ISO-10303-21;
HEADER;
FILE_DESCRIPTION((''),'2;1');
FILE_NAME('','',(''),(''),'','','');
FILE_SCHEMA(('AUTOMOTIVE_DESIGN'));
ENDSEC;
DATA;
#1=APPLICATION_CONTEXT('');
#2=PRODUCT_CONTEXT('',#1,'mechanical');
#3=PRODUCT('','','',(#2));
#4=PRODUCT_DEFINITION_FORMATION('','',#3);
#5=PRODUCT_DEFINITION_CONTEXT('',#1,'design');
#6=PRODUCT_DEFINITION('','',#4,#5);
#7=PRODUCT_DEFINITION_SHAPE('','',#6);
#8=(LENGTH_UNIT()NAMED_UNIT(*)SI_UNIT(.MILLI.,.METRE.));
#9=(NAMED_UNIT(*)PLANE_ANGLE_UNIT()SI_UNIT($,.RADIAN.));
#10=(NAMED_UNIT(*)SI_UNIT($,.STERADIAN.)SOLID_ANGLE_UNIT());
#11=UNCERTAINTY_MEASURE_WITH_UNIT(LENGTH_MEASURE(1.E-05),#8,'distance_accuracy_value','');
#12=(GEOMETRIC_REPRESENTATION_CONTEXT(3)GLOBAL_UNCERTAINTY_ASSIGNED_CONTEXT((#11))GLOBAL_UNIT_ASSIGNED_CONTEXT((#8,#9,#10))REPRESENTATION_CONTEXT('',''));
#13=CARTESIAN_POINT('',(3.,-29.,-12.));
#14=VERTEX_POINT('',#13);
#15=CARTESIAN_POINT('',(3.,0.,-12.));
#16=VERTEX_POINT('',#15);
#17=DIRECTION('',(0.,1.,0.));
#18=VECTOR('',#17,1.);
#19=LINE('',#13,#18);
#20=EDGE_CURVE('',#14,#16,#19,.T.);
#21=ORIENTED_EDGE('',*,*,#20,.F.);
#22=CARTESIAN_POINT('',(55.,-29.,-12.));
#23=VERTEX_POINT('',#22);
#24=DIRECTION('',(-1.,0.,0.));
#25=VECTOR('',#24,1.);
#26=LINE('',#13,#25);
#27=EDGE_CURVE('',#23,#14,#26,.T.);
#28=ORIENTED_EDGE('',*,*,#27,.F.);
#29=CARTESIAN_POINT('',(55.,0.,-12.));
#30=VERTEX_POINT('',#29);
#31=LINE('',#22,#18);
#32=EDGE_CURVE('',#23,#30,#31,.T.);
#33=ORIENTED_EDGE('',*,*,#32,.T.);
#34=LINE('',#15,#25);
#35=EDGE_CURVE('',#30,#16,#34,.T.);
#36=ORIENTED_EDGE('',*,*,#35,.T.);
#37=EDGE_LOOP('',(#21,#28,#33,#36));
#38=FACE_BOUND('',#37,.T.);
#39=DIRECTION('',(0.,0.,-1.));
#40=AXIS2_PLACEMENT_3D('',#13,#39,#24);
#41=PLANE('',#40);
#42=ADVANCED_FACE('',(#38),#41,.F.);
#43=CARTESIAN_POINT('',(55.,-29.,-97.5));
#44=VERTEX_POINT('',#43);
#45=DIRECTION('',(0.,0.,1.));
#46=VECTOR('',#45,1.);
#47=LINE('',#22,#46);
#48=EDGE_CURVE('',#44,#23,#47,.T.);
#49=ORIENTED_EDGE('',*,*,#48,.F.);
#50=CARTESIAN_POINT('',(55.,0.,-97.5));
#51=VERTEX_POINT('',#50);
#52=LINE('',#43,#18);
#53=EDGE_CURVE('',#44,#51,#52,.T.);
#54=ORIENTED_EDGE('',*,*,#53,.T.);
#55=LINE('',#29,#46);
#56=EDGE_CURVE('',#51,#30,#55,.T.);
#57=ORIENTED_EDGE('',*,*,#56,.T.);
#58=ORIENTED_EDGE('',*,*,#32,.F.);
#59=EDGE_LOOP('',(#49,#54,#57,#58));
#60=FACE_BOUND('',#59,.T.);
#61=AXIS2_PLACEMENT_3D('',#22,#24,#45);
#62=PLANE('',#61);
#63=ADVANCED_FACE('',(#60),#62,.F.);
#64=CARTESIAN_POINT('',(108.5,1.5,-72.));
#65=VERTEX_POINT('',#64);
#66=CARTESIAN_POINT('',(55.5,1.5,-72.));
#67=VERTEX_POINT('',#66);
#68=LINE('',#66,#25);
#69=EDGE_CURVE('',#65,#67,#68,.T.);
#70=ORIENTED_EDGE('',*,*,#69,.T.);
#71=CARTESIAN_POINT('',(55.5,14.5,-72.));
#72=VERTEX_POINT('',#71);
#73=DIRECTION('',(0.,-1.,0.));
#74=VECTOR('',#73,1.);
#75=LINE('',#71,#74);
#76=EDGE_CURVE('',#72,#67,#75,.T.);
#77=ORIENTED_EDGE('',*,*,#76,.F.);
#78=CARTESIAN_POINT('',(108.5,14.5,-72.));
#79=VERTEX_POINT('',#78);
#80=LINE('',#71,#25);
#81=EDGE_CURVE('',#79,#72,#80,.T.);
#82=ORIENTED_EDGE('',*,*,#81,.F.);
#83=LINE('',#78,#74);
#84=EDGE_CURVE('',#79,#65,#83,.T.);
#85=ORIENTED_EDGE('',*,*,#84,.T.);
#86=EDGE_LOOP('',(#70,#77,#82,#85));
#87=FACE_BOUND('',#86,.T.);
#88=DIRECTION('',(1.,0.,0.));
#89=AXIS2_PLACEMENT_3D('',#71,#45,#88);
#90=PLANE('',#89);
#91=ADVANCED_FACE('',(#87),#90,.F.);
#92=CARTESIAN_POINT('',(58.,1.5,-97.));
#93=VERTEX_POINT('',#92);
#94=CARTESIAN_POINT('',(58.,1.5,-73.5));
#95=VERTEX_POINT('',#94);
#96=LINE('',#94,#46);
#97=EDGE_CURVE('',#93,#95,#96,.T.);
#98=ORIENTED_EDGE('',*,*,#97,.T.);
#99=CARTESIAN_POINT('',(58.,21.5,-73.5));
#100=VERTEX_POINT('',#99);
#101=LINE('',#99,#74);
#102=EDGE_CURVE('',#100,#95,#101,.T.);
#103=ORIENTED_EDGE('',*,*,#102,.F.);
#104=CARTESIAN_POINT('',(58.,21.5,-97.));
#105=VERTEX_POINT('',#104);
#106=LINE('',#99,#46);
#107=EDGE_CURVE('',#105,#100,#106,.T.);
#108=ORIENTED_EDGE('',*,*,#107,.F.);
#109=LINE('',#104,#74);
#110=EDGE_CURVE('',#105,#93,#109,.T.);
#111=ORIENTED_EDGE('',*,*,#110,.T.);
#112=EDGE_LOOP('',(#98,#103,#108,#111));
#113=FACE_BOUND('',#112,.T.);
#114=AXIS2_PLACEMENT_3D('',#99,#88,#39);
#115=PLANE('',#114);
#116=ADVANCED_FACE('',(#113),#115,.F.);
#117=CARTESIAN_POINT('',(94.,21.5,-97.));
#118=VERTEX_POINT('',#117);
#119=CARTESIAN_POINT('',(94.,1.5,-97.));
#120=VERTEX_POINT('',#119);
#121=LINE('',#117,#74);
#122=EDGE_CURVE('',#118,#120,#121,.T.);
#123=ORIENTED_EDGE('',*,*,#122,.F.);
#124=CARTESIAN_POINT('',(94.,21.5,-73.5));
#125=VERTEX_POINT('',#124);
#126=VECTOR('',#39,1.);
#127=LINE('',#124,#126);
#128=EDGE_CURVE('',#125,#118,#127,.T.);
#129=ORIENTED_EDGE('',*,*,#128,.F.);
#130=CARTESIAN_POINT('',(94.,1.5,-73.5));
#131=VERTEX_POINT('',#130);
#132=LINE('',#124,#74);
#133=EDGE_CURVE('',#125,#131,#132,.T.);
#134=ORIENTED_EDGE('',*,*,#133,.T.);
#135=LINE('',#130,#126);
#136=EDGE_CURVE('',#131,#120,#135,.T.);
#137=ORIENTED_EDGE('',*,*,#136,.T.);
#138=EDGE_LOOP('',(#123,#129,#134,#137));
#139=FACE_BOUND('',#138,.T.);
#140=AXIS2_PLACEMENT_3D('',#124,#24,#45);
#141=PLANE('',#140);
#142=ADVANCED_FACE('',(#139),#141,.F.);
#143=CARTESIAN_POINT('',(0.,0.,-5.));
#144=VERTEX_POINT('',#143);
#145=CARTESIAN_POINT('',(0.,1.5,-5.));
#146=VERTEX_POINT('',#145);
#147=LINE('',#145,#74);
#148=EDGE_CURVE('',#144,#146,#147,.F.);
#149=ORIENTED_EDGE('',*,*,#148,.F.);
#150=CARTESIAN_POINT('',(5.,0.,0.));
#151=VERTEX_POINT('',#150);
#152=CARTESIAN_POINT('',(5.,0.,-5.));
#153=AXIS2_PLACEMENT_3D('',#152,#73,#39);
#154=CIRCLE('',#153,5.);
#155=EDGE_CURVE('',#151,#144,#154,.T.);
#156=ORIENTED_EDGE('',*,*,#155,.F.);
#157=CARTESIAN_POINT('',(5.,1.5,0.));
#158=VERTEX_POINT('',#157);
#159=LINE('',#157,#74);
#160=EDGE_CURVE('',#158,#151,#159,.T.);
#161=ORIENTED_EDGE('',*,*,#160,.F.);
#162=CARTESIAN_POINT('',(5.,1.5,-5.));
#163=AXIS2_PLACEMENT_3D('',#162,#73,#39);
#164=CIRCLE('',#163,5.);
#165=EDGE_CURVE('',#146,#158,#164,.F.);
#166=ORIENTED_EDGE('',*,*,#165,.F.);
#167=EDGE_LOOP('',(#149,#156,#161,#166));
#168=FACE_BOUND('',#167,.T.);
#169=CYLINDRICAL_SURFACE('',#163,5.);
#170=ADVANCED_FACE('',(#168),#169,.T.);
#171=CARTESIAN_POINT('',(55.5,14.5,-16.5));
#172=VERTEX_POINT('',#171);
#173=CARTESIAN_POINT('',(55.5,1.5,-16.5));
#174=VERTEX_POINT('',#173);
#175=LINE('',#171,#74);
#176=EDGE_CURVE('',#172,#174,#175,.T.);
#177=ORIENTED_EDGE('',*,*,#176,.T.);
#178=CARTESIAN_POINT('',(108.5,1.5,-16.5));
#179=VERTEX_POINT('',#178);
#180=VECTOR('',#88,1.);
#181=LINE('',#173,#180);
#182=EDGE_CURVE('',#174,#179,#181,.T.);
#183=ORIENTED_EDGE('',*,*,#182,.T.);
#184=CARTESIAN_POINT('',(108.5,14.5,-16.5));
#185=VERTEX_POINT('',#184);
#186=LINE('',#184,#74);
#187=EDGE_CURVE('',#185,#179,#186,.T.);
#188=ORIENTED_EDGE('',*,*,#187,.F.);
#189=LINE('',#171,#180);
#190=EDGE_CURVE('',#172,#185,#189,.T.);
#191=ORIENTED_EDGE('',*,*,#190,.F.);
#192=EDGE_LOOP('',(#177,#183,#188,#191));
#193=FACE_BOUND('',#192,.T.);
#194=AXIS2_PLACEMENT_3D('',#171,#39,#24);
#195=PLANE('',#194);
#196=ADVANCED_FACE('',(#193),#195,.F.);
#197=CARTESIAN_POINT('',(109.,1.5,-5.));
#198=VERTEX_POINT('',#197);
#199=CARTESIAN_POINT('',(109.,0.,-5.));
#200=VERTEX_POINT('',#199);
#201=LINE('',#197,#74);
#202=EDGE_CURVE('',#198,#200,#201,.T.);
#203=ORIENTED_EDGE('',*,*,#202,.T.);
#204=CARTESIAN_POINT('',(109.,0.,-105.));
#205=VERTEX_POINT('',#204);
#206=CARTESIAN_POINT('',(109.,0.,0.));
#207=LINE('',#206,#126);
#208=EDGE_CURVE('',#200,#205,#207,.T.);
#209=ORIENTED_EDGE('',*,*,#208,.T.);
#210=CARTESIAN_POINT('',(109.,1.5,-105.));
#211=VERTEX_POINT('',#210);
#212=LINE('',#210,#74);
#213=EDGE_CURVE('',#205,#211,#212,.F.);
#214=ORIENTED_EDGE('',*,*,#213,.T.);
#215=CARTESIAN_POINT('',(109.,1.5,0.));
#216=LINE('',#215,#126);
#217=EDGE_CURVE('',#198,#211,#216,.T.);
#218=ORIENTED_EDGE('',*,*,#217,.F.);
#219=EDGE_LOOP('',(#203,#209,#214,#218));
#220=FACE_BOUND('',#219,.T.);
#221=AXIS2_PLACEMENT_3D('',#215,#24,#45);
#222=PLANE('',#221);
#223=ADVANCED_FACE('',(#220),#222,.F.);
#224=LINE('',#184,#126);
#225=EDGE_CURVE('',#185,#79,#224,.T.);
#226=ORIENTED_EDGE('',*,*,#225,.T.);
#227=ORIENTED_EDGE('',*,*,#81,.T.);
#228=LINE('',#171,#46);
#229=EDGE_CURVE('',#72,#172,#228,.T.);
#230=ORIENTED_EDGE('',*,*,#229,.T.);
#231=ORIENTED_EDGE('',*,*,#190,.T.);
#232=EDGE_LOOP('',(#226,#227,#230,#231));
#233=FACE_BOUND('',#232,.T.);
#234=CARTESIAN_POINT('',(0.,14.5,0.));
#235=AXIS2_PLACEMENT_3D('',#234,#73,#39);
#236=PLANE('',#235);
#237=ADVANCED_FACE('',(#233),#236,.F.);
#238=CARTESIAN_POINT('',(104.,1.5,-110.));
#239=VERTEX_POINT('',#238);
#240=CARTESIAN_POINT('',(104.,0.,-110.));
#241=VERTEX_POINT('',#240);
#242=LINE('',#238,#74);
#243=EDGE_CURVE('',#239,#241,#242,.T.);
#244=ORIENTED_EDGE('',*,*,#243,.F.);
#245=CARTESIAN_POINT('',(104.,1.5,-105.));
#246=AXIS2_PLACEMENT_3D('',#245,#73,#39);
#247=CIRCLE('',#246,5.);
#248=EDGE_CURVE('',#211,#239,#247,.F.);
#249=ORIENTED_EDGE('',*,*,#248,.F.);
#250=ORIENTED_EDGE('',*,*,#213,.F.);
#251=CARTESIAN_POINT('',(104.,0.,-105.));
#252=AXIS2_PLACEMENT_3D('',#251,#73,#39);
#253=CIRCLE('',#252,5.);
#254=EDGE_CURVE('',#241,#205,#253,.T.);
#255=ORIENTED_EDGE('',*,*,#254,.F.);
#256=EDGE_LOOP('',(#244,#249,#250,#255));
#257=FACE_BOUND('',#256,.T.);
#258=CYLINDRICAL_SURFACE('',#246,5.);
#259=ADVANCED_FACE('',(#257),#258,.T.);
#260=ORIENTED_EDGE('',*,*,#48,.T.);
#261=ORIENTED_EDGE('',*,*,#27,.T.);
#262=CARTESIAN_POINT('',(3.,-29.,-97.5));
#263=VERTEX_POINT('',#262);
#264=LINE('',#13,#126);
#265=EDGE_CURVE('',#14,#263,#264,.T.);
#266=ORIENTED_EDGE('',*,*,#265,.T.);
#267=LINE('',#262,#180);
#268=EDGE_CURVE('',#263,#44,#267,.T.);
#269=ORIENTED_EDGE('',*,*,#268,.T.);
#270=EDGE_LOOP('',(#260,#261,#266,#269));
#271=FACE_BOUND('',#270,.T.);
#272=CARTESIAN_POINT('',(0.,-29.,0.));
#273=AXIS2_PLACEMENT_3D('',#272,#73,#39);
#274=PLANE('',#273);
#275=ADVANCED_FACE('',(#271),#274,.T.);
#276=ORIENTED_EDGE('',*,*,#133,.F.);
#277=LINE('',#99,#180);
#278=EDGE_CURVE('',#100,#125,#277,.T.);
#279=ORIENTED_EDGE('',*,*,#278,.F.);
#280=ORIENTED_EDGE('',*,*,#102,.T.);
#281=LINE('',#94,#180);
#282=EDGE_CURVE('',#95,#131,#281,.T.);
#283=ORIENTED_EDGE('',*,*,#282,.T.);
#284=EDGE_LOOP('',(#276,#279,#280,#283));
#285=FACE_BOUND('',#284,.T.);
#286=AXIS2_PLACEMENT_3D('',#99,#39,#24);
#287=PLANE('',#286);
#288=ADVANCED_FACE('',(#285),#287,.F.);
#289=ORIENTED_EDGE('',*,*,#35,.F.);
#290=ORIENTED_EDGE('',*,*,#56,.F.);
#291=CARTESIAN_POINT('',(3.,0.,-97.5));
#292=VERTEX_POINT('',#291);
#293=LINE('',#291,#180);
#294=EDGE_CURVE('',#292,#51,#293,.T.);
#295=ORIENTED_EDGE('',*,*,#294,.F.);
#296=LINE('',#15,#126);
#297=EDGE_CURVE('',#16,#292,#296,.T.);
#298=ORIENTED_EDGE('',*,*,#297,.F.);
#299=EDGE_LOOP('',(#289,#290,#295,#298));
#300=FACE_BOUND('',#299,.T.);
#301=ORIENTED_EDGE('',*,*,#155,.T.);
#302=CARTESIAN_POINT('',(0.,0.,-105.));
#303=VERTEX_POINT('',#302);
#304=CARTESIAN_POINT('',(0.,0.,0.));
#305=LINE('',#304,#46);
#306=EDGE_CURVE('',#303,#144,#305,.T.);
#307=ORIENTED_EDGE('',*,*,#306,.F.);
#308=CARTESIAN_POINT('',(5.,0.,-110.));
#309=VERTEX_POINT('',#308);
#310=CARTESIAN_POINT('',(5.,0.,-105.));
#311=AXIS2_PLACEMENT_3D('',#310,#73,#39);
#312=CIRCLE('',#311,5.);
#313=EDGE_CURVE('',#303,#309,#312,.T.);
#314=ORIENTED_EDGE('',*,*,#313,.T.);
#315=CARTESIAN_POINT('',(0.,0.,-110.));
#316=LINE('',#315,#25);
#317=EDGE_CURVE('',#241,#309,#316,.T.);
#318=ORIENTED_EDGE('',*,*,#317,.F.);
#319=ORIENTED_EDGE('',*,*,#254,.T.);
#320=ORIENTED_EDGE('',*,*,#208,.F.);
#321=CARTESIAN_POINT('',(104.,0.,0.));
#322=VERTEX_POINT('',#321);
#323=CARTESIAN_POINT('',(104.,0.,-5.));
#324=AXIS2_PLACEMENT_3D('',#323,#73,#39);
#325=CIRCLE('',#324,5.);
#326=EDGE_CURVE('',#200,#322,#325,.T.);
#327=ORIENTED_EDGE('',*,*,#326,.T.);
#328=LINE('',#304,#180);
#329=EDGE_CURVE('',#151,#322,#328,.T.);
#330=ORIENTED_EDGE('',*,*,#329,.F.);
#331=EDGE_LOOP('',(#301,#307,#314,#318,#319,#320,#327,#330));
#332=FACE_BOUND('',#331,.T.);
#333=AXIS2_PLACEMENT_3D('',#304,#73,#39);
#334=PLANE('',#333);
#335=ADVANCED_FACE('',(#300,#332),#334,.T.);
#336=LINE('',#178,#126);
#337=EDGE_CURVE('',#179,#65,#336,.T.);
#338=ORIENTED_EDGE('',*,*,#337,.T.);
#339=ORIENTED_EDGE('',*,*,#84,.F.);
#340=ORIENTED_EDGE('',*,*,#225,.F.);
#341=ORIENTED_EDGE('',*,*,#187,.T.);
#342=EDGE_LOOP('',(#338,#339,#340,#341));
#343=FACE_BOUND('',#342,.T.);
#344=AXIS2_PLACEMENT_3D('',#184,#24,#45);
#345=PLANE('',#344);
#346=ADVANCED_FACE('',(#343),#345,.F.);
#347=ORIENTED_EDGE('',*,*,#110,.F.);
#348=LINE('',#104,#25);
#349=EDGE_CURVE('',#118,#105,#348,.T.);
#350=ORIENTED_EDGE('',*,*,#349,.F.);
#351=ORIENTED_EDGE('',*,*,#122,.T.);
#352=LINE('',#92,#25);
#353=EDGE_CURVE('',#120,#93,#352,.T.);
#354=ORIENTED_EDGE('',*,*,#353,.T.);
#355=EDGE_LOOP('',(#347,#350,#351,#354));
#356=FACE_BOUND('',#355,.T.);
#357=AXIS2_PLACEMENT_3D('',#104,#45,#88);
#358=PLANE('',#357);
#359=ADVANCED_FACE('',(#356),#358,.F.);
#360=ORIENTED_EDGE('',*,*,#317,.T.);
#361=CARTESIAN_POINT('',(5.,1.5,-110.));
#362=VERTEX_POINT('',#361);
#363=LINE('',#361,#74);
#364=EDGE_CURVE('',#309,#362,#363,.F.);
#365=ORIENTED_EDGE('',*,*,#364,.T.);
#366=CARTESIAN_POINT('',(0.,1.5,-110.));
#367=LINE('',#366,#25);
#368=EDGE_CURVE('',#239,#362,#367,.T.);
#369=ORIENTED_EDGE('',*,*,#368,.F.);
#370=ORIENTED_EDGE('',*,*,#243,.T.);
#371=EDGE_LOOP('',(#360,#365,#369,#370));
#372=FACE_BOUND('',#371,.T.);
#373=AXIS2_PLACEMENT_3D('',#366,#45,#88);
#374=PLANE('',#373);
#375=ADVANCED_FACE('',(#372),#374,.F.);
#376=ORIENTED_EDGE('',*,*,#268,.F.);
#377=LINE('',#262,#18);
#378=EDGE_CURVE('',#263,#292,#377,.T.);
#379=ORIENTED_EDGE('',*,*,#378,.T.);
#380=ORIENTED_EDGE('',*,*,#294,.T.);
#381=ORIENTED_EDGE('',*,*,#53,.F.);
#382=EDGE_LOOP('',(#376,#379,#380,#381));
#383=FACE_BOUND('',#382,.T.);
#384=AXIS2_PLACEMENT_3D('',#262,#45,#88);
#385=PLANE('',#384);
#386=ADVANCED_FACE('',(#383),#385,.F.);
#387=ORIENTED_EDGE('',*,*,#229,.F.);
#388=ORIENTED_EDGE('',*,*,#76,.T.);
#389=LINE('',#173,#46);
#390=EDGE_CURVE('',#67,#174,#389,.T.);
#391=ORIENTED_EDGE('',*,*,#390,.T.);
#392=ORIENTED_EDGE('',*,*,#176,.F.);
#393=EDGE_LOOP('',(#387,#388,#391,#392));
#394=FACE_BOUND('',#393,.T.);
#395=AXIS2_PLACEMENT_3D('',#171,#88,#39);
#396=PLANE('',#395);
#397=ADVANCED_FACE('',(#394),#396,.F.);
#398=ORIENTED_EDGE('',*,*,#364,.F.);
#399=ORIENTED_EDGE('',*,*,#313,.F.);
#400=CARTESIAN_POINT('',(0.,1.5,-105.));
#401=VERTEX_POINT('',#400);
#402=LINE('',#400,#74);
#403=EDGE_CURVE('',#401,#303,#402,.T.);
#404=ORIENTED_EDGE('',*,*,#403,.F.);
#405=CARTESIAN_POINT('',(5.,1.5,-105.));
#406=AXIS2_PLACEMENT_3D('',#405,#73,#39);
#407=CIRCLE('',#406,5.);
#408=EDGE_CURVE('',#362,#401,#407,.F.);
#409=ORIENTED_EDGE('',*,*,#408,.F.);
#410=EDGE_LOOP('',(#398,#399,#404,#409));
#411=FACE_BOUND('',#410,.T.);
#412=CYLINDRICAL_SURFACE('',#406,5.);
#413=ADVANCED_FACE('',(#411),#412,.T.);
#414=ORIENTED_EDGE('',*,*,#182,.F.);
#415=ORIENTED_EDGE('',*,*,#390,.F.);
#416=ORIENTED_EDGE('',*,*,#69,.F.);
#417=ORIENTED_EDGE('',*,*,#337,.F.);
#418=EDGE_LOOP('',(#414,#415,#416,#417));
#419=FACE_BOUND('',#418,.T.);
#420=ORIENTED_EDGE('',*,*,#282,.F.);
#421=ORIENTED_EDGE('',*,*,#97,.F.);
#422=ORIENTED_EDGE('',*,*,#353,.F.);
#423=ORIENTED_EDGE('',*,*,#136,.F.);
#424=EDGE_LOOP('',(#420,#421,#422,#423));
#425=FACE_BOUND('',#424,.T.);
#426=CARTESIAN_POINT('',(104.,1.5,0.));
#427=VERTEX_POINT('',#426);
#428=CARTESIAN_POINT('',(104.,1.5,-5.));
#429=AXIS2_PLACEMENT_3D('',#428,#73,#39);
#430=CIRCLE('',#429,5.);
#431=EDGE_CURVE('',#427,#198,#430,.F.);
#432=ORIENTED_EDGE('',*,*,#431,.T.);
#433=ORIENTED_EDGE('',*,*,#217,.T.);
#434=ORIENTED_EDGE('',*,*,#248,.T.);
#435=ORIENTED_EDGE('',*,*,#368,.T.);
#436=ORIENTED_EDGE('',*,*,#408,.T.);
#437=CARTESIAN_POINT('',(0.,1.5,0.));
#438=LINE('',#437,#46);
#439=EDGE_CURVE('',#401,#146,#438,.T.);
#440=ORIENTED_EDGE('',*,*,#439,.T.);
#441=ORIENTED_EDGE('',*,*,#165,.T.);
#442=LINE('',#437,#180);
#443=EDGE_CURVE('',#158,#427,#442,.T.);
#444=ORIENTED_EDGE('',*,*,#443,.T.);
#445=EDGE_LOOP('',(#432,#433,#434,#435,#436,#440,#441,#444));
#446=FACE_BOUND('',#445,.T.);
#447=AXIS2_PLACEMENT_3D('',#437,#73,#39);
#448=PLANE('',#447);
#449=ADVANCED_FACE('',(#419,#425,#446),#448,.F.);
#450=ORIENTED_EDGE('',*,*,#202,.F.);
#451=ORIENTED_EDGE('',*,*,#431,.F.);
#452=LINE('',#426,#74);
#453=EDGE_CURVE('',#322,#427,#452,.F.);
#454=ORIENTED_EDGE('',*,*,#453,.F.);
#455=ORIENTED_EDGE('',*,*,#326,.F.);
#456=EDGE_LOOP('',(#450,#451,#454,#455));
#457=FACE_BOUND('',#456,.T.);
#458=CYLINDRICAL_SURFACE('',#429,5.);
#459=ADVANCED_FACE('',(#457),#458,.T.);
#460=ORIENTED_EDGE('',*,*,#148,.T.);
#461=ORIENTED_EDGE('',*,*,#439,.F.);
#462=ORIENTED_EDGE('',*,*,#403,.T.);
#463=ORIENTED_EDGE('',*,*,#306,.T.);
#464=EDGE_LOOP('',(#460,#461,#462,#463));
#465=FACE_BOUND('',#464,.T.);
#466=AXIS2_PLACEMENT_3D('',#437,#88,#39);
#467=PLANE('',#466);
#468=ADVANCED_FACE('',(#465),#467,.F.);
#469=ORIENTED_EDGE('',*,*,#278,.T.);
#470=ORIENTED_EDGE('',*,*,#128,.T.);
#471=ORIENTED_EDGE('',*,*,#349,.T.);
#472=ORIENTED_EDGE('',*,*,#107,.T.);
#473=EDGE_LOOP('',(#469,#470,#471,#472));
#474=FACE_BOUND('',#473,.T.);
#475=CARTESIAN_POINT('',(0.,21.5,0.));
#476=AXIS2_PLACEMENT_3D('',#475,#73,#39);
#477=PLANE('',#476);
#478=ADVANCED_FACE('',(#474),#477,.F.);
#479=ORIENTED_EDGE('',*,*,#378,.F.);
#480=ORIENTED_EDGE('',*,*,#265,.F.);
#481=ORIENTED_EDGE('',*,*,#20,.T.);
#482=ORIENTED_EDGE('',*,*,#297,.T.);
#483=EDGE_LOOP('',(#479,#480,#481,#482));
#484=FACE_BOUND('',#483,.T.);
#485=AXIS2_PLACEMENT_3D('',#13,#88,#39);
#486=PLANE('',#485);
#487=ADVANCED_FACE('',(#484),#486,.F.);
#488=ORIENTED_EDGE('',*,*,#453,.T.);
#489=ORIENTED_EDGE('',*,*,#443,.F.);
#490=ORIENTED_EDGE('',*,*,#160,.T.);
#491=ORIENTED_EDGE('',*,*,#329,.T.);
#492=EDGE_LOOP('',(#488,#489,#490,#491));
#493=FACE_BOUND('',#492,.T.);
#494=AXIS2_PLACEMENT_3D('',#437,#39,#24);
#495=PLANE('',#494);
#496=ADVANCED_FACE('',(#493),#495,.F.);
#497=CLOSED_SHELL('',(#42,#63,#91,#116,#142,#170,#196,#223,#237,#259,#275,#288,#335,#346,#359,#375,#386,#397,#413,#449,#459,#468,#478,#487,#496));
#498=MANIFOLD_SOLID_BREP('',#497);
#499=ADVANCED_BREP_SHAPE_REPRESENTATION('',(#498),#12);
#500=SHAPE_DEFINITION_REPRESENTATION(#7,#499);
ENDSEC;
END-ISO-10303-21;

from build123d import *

# Parameters (mm, degrees)
ESQUISSE1_W        = 109
ESQUISSE1_H        = 110
BOSS_EXTRU_1_DEPTH = 1.5
CONG_1_R           = 5
ESQUISSE2_W        = 52
ESQUISSE2_H        = 85.5
BOSS_EXTRU_2_DEPTH = 29
ESQUISSE3_W        = 53
ESQUISSE3_H        = 55.5
ESQUISSE3_W_2      = 50
ESQUISSE3_H_2      = 49
BOSS_EXTRU_3_DEPTH = 13
ESQUISSE4_W        = 50
ESQUISSE4_H        = 49
BOSS_EXTRU_4_DEPTH = 13
ESQUISSE5_W        = 36
ESQUISSE5_H        = 23.5
BOSS_EXTRU_5_DEPTH = 20


with BuildPart() as part:
    # Esquisse1 → Boss.-Extru.1 (new body)
    with BuildSketch(Plane(origin=(0, 0, 0), x_dir=(1, 0, 0), z_dir=(0, 1, 0))):
        with Locations((54.5, 55)):
            Rectangle(ESQUISSE1_W, ESQUISSE1_H)
    extrude(amount=BOSS_EXTRU_1_DEPTH)

    # Congé1
    cong_1_edges = [part.edges().sort_by_distance(p)[0] for p in [
        (0, 0.75, -110),
        (109, 0.75, -110),
        (109, 0.75, 0),
        (0, 0.75, 0),
    ]]
    fillet(cong_1_edges, radius=CONG_1_R)

    # Esquisse2 → Boss.-Extru.2 (add)
    with BuildSketch(Plane.XZ):
        with Locations((29, -54.75)):
            Rectangle(ESQUISSE2_W, ESQUISSE2_H)
    extrude(amount=BOSS_EXTRU_2_DEPTH)

    # Esquisse3 → Boss.-Extru.3 (add)
    with BuildSketch(Plane(origin=(0, 1.5, 0), x_dir=(1, 0, 0), z_dir=(0, 1, 0))):
        with Locations((82, 44.25)):
            Rectangle(ESQUISSE3_W, ESQUISSE3_H)
        with Locations((82, 42.5)):
            Rectangle(ESQUISSE3_W_2, ESQUISSE3_H_2, mode=Mode.SUBTRACT)
    extrude(amount=BOSS_EXTRU_3_DEPTH)

    # Esquisse4 → Boss.-Extru.4 (add)
    with BuildSketch(Plane(origin=(0, 1.5, 0), x_dir=(1, 0, 0), z_dir=(0, 1, 0))):
        with Locations((82, 42.5)):
            Rectangle(ESQUISSE4_W, ESQUISSE4_H)
    extrude(amount=BOSS_EXTRU_4_DEPTH)

    # Esquisse5 → Boss.-Extru.5 (add)
    with BuildSketch(Plane(origin=(0, 1.5, 0), x_dir=(1, 0, 0), z_dir=(0, 1, 0))):
        with Locations((76, 85.25)):
            Rectangle(ESQUISSE5_W, ESQUISSE5_H)
    extrude(amount=BOSS_EXTRU_5_DEPTH)


solid = part.part
